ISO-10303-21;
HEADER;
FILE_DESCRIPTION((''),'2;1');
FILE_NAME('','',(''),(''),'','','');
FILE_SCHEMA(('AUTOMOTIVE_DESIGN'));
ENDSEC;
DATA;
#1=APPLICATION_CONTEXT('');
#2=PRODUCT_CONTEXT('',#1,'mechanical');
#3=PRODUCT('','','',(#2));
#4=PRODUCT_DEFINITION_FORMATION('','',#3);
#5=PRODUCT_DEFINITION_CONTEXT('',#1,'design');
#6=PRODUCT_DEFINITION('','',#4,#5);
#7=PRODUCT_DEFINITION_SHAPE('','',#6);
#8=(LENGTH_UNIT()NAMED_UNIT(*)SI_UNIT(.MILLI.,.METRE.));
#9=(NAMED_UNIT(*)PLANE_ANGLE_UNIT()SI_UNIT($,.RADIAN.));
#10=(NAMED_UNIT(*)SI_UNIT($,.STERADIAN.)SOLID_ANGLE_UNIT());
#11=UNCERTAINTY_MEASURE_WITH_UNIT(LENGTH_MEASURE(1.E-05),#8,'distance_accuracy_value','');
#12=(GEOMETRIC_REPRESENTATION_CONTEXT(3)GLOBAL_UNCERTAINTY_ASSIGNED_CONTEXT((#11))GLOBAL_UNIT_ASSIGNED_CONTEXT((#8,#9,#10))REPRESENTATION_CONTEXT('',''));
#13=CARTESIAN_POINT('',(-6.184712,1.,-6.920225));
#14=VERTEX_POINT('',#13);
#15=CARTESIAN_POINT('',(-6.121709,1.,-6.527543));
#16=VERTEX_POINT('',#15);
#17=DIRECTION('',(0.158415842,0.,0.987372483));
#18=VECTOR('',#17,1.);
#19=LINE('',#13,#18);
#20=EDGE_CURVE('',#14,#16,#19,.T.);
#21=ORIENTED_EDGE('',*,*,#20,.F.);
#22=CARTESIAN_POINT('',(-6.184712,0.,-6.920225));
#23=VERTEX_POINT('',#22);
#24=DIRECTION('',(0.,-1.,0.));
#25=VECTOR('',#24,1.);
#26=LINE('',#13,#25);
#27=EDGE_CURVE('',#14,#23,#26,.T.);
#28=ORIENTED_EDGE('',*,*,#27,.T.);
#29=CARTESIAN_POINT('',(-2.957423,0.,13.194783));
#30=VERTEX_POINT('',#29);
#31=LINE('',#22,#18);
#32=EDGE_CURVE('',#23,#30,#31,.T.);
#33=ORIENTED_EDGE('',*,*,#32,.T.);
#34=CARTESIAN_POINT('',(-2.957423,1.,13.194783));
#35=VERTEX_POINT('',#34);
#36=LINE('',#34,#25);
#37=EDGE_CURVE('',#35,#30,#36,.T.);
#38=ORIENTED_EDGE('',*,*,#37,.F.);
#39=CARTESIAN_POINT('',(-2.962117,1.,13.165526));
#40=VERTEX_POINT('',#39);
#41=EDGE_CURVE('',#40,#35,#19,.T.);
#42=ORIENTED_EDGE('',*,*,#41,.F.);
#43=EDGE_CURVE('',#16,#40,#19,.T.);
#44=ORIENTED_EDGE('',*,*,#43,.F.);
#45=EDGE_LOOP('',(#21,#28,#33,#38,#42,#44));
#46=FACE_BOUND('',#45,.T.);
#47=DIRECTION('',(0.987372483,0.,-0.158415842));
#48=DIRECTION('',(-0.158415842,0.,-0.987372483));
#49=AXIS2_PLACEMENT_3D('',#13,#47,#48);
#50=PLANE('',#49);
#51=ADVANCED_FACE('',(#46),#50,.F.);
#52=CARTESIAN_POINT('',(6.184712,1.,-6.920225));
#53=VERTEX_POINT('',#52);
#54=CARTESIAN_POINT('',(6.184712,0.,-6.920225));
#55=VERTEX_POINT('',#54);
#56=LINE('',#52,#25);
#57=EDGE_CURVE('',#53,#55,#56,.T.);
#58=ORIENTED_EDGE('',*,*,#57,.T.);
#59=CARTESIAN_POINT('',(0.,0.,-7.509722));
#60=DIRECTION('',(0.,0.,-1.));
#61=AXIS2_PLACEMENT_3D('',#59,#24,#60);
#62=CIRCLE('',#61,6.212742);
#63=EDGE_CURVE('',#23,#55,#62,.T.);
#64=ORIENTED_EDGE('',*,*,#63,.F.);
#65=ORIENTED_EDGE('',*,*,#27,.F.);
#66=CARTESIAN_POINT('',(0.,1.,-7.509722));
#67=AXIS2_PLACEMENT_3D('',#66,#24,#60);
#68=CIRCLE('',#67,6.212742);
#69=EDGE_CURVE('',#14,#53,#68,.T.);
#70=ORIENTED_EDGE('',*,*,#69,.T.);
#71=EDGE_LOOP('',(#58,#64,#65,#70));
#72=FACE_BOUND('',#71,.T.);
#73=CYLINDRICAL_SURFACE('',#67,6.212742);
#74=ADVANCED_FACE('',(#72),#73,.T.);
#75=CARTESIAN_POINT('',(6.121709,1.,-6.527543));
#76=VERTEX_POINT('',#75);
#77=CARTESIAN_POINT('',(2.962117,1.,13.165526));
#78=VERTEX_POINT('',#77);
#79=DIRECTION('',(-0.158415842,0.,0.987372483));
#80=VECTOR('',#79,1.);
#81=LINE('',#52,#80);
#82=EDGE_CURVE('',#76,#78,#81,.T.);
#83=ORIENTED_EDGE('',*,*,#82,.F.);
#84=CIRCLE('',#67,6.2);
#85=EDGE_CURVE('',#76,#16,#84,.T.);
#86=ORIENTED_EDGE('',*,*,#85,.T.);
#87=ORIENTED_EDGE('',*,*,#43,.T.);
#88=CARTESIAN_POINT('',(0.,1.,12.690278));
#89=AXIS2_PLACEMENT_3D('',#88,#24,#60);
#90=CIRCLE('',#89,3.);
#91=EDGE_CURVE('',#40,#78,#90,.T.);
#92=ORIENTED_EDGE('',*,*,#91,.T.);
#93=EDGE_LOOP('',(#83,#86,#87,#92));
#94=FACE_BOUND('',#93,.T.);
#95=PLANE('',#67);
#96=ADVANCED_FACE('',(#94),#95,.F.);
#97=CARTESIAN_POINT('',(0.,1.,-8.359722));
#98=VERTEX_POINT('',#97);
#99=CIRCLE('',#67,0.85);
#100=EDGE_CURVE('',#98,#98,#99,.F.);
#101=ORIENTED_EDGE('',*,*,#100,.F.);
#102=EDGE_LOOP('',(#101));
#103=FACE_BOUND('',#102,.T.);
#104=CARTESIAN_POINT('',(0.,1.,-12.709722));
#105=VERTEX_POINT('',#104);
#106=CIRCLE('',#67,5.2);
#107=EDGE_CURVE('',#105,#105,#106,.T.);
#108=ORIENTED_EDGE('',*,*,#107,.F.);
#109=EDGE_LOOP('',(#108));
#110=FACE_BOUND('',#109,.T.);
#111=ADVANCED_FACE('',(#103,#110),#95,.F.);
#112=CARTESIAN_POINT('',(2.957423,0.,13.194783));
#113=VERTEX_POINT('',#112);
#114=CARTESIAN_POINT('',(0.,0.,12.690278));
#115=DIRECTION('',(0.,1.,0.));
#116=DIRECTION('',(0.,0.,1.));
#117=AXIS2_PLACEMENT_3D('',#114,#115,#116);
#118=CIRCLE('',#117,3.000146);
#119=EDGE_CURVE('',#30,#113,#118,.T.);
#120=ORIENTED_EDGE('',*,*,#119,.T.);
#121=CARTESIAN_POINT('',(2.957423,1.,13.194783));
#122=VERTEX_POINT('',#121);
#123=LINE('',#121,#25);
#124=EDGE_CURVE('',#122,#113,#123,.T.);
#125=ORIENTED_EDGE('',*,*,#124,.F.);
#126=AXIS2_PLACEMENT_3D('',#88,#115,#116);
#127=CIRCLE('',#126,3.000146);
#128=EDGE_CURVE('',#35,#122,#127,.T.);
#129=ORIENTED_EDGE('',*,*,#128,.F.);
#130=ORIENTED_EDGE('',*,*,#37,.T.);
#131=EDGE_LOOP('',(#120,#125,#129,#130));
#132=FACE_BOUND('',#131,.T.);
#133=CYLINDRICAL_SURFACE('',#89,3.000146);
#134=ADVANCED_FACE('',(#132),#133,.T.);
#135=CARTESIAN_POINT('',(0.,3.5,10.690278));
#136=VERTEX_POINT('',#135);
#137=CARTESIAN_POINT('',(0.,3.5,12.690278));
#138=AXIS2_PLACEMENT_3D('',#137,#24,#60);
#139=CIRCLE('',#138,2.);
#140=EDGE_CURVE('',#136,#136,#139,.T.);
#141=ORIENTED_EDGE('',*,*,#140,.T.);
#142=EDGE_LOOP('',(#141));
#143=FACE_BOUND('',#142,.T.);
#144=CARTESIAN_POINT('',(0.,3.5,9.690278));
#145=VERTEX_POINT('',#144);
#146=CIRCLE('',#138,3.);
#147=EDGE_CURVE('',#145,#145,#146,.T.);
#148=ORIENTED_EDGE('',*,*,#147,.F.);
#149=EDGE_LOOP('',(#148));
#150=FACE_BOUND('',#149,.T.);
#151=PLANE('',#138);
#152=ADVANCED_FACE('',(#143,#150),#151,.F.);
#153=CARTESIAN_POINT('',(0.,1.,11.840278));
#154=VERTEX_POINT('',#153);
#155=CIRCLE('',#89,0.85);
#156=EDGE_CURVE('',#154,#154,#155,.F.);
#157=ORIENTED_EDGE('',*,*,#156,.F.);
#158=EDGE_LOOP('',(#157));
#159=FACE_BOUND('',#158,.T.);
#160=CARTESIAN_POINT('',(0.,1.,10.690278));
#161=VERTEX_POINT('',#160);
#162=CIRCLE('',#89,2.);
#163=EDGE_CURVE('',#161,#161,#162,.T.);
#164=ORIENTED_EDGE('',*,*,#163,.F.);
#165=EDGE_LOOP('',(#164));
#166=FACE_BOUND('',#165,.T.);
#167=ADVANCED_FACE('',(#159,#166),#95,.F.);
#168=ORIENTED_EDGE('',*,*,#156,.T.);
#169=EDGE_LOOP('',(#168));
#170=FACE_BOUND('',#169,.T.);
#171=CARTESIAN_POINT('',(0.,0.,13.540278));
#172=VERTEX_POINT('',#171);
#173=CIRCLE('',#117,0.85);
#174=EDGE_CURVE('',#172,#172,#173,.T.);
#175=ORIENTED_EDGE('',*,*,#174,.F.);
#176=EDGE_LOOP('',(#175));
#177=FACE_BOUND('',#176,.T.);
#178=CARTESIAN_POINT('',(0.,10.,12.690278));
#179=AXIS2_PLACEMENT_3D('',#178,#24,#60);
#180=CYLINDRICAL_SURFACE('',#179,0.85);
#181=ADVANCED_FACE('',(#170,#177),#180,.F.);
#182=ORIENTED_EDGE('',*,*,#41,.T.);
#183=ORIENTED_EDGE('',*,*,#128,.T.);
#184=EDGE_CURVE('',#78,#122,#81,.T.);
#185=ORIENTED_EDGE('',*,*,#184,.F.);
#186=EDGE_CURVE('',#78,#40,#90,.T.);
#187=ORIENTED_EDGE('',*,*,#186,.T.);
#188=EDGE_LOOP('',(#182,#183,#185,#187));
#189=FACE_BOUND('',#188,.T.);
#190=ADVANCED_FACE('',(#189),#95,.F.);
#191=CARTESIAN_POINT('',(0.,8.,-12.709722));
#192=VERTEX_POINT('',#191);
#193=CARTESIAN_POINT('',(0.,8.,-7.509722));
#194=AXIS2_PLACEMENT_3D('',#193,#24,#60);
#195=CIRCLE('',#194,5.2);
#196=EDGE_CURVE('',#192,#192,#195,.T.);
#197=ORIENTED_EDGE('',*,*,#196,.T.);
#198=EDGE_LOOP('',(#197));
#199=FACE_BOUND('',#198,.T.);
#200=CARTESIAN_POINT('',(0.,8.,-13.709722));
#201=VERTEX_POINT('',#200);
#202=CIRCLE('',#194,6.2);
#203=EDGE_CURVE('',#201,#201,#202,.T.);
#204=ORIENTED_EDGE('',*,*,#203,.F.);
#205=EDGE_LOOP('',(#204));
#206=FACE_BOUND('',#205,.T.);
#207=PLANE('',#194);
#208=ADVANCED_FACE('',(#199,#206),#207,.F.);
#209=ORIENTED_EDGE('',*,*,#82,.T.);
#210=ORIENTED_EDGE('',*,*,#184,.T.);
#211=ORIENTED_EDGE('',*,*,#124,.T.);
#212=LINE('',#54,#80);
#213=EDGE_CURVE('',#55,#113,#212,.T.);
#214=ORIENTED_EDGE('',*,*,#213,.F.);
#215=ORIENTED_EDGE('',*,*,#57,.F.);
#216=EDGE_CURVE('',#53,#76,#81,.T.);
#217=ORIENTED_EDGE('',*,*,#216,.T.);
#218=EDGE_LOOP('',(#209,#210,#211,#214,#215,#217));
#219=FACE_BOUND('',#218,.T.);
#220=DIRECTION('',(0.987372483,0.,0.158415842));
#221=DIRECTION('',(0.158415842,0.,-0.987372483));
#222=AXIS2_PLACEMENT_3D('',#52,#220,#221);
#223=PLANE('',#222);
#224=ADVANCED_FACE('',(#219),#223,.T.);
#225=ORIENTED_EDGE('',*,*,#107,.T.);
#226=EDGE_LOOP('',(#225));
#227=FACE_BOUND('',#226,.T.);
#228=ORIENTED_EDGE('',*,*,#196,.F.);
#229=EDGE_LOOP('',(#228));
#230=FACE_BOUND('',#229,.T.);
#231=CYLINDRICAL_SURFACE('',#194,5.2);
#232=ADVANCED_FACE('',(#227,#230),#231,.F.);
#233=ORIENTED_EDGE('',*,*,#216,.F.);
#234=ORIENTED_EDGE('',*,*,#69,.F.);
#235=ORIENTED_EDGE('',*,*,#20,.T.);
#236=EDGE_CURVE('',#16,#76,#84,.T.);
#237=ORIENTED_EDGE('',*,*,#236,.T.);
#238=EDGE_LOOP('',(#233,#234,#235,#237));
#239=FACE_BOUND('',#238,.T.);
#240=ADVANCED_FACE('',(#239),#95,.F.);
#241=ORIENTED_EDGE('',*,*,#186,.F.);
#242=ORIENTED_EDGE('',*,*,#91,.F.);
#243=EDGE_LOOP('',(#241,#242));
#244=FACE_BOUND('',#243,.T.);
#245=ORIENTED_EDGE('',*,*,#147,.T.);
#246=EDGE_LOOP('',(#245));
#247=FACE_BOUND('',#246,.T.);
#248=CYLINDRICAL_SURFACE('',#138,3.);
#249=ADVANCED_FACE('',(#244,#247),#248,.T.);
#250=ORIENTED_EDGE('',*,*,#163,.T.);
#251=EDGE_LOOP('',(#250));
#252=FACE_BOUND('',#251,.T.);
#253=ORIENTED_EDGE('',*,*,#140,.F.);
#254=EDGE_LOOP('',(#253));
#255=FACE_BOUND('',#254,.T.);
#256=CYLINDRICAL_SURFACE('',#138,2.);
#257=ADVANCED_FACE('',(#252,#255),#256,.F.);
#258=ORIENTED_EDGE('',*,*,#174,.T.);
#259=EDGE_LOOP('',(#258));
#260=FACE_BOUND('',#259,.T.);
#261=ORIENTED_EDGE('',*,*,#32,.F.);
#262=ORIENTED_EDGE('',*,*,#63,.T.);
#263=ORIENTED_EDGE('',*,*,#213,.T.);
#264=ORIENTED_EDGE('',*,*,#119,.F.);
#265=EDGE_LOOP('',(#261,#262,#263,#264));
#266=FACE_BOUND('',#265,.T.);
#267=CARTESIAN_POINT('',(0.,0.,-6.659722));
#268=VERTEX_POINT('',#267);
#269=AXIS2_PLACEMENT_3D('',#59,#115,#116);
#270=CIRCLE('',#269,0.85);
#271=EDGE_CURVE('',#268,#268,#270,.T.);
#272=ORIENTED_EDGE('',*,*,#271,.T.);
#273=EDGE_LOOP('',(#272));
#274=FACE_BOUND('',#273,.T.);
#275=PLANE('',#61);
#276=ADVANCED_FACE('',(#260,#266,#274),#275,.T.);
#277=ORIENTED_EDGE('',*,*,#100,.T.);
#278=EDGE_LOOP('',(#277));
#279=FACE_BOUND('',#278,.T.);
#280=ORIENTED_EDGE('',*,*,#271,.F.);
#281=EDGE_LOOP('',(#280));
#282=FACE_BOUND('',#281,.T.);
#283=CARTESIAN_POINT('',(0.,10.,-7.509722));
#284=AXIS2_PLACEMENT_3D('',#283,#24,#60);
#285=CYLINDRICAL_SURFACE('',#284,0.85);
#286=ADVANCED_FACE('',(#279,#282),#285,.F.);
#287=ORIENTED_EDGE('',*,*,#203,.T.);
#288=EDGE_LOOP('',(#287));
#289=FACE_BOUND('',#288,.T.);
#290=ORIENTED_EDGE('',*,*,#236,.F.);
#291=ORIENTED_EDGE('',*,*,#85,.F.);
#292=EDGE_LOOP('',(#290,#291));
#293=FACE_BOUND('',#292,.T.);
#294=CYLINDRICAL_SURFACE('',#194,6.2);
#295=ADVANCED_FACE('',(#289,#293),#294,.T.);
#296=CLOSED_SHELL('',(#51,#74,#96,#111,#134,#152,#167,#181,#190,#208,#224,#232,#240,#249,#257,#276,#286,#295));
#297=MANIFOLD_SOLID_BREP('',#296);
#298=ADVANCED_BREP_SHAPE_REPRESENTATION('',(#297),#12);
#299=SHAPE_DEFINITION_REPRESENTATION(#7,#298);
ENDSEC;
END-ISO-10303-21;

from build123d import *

# Parameters (mm, degrees)
BOSS_EXTRUDE1_DEPTH = 1
BOSS_EXTRUDE5_START = 1
SKETCH1_5_R         = 3
SKETCH1_5_R_2       = 2
BOSS_EXTRUDE5_DEPTH = 2.5
BOSS_EXTRUDE4_START = 1
SKETCH1_4_R         = 6.2
SKETCH1_4_R_2       = 5.2
BOSS_EXTRUDE4_DEPTH = 7
SKETCH1_8_R         = 0.85
CUT_EXTRUDE7_DEPTH  = 10


with BuildPart() as part:
    # Sketch1 → Boss-Extrude1 (new body)
    with BuildSketch(Plane(origin=(0, 0, 0), x_dir=(1, 0, 0), z_dir=(0, 1, 0))):
        with BuildLine():
            Line((-6.18471188, 6.920224585), (-2.957423424, -13.194782769))
            ThreePointArc((-2.957423424, -13.194782769), (0, -15.690424696), (2.957423424, -13.194782769))
            Line((2.957423424, -13.194782769), (6.18471188, 6.920224585))
            ThreePointArc((6.18471188, 6.920224585), (0, 13.722464008), (-6.18471188, 6.920224585))
        make_face()
    extrude(amount=BOSS_EXTRUDE1_DEPTH)

    # Sketch1<5> → Boss-Extrude5 (add)
    with BuildSketch(Plane(origin=(0, 0, 0), x_dir=(1, 0, 0), z_dir=(0, 1, 0)).offset(BOSS_EXTRUDE5_START)):
        with Locations(Location((0, -12.690278367, 0), (0, 0, 90))):
            Circle(SKETCH1_5_R)
        with Locations(Location((0, -12.690278367, 0), (0, 0, 90))):
            Circle(SKETCH1_5_R_2, mode=Mode.SUBTRACT)
    extrude(amount=BOSS_EXTRUDE5_DEPTH)

    # Sketch1<4> → Boss-Extrude4 (add)
    with BuildSketch(Plane(origin=(0, 0, 0), x_dir=(1, 0, 0), z_dir=(0, 1, 0)).offset(BOSS_EXTRUDE4_START)):
        with Locations(Location((0, 7.509721633, 0), (0, 0, 90))):
            Circle(SKETCH1_4_R)
        with Locations(Location((0, 7.509721633, 0), (0, 0, 90))):
            Circle(SKETCH1_4_R_2, mode=Mode.SUBTRACT)
    extrude(amount=BOSS_EXTRUDE4_DEPTH)

    # Sketch1<8> → Cut-Extrude7 (cut)
    with BuildSketch(Plane(origin=(0, 0, 0), x_dir=(1, 0, 0), z_dir=(0, 1, 0))):
        with Locations(Location((0, 7.509721633, 0), (0, 0, 90))):
            Circle(SKETCH1_8_R)
        with Locations(Location((0, -12.690278367, 0), (0, 0, 90))):
            Circle(SKETCH1_8_R)
    extrude(amount=CUT_EXTRUDE7_DEPTH, mode=Mode.SUBTRACT)


solid = part.part
